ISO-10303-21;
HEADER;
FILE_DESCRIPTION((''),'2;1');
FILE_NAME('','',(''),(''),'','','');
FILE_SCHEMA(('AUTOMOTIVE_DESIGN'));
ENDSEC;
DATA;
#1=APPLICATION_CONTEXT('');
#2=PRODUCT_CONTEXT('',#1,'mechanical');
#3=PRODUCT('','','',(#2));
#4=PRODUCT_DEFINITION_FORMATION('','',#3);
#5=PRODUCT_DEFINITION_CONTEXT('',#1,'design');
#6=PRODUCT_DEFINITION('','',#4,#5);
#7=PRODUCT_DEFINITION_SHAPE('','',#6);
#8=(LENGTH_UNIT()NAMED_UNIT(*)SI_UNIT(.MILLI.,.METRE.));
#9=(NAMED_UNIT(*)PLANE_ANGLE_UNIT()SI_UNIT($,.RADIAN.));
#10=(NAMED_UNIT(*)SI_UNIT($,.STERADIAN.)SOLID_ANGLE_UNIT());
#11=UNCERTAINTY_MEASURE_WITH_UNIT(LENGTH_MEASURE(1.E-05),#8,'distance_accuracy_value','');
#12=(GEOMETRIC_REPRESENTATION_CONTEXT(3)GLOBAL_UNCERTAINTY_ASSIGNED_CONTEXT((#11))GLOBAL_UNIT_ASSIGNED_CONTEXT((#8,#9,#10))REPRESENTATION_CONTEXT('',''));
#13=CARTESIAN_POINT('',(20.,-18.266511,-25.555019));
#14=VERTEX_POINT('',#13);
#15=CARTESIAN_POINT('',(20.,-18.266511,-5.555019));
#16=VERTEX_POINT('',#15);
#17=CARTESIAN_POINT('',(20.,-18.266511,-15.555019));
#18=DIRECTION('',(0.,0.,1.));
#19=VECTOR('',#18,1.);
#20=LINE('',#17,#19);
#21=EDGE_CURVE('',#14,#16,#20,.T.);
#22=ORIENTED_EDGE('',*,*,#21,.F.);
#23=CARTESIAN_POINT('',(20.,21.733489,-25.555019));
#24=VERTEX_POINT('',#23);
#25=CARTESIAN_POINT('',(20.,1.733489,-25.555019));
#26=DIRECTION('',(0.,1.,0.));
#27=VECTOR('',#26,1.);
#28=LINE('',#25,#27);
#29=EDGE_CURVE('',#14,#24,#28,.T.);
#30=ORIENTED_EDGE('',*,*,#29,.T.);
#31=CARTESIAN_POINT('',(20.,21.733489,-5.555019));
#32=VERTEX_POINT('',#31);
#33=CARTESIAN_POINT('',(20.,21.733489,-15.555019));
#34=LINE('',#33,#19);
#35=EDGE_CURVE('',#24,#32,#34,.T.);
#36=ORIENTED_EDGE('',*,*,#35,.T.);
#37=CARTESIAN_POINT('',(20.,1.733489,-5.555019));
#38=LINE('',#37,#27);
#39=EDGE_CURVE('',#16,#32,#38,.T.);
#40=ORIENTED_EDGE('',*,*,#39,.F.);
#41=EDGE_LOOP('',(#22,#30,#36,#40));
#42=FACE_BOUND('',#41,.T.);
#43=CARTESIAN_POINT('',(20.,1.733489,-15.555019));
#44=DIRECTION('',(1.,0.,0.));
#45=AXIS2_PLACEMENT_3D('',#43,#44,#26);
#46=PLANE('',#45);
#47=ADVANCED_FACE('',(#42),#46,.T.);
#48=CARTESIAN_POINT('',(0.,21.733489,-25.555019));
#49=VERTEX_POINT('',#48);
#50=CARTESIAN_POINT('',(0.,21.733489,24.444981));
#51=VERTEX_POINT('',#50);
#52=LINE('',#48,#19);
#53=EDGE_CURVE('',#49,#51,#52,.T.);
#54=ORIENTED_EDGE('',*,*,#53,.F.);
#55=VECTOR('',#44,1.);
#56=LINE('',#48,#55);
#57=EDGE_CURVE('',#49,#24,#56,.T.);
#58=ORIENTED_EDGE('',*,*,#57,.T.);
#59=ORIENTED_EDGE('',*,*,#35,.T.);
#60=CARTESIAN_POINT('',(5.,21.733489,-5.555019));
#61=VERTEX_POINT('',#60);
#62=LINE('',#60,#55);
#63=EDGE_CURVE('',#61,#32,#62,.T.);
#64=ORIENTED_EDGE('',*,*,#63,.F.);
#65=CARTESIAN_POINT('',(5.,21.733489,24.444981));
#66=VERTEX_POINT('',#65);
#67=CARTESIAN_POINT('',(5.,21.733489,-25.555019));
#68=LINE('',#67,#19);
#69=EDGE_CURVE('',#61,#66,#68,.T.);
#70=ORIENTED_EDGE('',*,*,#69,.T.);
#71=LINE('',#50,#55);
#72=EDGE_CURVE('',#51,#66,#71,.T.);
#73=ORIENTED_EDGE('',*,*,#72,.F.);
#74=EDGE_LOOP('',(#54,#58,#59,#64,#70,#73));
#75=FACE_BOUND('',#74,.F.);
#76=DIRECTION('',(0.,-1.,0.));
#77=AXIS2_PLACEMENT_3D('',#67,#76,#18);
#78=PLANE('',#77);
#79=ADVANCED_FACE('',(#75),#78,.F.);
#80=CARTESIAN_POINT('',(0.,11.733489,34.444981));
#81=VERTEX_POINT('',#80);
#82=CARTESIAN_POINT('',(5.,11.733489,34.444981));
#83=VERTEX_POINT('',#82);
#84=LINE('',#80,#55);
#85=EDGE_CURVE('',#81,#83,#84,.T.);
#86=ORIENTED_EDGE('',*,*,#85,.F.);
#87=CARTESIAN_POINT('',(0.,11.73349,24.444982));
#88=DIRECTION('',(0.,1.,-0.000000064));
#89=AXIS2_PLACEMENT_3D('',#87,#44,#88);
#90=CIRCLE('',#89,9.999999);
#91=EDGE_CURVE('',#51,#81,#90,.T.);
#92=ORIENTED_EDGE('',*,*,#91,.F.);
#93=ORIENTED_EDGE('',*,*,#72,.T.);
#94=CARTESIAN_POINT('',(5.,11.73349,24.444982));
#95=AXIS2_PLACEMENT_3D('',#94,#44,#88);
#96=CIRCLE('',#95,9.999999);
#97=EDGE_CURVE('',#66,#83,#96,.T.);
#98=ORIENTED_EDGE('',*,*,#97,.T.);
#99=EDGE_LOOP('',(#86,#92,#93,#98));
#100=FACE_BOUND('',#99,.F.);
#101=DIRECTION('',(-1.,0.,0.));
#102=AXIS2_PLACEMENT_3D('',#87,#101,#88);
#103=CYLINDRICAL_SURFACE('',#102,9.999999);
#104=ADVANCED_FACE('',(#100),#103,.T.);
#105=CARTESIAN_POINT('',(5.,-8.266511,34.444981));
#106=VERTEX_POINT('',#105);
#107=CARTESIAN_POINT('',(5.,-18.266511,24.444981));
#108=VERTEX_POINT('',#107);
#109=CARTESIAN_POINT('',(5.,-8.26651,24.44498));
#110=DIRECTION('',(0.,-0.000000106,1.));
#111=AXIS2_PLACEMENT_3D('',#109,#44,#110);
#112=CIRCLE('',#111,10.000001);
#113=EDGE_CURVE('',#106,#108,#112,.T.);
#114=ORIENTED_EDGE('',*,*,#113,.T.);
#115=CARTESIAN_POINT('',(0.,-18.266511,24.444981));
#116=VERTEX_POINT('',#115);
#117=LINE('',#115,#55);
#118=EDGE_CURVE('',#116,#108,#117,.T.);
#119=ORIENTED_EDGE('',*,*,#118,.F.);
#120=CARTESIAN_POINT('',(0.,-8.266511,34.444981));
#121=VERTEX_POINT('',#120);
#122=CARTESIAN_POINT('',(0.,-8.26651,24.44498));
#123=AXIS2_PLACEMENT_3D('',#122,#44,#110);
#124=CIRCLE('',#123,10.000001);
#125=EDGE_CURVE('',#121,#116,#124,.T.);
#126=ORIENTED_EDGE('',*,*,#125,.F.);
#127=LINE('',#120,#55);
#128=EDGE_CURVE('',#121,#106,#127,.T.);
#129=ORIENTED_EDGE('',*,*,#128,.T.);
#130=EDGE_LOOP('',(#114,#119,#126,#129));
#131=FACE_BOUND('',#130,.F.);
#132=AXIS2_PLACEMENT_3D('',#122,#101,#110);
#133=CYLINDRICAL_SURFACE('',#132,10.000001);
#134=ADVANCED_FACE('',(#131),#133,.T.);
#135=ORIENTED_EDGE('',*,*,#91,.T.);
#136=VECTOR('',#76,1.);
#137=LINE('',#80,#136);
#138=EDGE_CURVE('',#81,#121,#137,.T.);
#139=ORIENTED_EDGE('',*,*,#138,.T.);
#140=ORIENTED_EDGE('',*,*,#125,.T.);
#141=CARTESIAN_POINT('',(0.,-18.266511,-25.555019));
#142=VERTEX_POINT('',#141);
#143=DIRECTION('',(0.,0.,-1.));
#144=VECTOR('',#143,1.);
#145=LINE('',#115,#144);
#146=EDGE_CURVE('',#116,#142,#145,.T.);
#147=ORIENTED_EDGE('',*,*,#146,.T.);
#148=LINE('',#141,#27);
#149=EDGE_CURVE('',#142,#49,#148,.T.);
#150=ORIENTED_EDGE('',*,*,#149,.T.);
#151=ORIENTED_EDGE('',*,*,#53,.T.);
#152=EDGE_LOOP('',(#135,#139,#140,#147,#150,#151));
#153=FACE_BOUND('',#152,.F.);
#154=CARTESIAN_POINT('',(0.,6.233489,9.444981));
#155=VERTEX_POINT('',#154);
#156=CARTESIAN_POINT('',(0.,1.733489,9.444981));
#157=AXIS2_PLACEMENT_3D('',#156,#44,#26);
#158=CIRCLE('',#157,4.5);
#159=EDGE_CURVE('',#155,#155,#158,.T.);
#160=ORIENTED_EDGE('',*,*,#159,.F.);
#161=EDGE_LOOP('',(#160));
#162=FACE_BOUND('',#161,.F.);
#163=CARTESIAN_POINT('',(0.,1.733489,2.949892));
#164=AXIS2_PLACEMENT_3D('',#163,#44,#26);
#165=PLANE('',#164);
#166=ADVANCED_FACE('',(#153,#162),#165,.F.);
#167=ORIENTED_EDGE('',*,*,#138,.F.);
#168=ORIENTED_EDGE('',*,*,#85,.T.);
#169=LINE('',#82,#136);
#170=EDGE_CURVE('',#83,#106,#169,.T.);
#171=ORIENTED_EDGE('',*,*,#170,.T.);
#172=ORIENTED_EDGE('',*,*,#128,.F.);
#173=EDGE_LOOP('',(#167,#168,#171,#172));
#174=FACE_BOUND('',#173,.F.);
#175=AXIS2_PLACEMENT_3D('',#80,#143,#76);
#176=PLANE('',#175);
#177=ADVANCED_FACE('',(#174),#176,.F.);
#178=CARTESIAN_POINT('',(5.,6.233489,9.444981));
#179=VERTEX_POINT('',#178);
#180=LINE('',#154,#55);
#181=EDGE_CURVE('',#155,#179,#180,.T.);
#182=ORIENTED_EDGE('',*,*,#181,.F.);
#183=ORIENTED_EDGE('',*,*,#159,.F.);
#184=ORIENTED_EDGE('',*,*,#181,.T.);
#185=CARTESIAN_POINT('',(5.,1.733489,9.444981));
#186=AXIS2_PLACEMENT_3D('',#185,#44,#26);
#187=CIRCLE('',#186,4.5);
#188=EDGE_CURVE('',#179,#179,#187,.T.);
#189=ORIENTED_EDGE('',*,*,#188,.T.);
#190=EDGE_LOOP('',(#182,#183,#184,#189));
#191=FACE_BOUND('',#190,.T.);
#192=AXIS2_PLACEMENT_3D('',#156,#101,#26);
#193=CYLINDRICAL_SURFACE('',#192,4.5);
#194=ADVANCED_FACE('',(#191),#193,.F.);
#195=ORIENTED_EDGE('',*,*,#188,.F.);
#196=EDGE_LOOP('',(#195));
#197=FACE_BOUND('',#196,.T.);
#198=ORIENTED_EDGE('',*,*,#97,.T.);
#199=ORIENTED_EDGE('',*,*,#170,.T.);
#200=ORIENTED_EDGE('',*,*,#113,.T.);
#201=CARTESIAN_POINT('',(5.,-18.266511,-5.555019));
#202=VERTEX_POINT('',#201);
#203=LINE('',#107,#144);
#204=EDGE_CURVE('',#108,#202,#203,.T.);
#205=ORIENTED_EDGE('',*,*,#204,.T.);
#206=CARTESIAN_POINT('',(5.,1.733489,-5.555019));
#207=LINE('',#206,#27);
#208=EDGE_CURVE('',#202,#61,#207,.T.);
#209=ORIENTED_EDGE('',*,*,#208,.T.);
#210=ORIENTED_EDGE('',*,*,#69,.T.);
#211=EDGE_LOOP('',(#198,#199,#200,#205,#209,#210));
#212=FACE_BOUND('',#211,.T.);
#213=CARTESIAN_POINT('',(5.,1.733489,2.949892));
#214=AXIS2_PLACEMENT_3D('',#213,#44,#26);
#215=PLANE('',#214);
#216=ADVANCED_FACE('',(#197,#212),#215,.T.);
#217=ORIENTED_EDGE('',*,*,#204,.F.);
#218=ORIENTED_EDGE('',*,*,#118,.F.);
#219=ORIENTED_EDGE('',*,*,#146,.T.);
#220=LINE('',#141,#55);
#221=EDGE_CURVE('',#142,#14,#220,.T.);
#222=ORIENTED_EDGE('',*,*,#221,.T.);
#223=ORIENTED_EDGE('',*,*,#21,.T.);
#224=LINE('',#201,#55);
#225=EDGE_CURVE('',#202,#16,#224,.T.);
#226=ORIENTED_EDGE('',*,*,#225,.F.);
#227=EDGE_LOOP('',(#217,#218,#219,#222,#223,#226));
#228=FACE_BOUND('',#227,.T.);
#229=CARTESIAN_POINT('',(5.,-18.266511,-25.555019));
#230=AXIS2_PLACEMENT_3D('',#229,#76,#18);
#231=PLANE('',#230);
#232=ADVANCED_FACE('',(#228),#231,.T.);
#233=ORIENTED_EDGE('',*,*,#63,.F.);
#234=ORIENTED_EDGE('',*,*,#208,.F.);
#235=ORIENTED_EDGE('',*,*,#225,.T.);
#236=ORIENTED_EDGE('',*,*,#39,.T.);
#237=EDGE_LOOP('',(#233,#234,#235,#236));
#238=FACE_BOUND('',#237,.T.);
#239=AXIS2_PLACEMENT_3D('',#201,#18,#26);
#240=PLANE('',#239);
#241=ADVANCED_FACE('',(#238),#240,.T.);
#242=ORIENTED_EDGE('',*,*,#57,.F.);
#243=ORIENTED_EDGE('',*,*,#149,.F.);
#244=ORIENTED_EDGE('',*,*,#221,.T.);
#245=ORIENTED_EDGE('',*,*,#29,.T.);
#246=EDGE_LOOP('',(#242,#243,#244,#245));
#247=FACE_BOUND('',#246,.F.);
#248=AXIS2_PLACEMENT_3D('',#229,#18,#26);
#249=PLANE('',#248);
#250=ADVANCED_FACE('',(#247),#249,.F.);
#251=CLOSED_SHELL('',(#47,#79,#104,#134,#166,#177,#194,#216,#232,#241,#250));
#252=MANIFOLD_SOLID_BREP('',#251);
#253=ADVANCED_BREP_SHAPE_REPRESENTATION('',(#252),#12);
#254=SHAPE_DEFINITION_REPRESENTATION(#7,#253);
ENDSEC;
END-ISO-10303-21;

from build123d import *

# Parameters (mm, degrees)
F0_R     = 4.5
F1_DEPTH = 5
F2_W     = 40
F2_H     = 20
F3_DEPTH = 15


with BuildPart() as f1:
    # F0 (on Right) → F1 (new body)
    with BuildSketch(Plane.YZ):
        with BuildLine():
            Line((11.733489, 34.444981), (-8.266511, 34.444981))
            ThreePointArc((-8.266511, 34.444981), (-15.337578, 31.516049), (-18.266511, 24.444981))
            Line((-18.266511, 24.444981), (-18.266511, -25.555019))
            Line((-18.266511, -25.555019), (21.733489, -25.555019))
            Line((21.733489, -25.555019), (21.733489, 24.444981))
            ThreePointArc((21.733489, 24.444981), (18.804557, 31.516049), (11.733489, 34.444981))
        make_face()
        with Locations((1.733489, 9.444981)):
            Circle(F0_R, mode=Mode.SUBTRACT)
    extrude(amount=F1_DEPTH)

    # F2 (on face) → F3 (join)
    with BuildSketch(Plane.YZ.offset(5)):
        with Locations((1.733489, -15.555019)):
            Rectangle(F2_W, F2_H)
    extrude(amount=F3_DEPTH)


solid = f1.part
